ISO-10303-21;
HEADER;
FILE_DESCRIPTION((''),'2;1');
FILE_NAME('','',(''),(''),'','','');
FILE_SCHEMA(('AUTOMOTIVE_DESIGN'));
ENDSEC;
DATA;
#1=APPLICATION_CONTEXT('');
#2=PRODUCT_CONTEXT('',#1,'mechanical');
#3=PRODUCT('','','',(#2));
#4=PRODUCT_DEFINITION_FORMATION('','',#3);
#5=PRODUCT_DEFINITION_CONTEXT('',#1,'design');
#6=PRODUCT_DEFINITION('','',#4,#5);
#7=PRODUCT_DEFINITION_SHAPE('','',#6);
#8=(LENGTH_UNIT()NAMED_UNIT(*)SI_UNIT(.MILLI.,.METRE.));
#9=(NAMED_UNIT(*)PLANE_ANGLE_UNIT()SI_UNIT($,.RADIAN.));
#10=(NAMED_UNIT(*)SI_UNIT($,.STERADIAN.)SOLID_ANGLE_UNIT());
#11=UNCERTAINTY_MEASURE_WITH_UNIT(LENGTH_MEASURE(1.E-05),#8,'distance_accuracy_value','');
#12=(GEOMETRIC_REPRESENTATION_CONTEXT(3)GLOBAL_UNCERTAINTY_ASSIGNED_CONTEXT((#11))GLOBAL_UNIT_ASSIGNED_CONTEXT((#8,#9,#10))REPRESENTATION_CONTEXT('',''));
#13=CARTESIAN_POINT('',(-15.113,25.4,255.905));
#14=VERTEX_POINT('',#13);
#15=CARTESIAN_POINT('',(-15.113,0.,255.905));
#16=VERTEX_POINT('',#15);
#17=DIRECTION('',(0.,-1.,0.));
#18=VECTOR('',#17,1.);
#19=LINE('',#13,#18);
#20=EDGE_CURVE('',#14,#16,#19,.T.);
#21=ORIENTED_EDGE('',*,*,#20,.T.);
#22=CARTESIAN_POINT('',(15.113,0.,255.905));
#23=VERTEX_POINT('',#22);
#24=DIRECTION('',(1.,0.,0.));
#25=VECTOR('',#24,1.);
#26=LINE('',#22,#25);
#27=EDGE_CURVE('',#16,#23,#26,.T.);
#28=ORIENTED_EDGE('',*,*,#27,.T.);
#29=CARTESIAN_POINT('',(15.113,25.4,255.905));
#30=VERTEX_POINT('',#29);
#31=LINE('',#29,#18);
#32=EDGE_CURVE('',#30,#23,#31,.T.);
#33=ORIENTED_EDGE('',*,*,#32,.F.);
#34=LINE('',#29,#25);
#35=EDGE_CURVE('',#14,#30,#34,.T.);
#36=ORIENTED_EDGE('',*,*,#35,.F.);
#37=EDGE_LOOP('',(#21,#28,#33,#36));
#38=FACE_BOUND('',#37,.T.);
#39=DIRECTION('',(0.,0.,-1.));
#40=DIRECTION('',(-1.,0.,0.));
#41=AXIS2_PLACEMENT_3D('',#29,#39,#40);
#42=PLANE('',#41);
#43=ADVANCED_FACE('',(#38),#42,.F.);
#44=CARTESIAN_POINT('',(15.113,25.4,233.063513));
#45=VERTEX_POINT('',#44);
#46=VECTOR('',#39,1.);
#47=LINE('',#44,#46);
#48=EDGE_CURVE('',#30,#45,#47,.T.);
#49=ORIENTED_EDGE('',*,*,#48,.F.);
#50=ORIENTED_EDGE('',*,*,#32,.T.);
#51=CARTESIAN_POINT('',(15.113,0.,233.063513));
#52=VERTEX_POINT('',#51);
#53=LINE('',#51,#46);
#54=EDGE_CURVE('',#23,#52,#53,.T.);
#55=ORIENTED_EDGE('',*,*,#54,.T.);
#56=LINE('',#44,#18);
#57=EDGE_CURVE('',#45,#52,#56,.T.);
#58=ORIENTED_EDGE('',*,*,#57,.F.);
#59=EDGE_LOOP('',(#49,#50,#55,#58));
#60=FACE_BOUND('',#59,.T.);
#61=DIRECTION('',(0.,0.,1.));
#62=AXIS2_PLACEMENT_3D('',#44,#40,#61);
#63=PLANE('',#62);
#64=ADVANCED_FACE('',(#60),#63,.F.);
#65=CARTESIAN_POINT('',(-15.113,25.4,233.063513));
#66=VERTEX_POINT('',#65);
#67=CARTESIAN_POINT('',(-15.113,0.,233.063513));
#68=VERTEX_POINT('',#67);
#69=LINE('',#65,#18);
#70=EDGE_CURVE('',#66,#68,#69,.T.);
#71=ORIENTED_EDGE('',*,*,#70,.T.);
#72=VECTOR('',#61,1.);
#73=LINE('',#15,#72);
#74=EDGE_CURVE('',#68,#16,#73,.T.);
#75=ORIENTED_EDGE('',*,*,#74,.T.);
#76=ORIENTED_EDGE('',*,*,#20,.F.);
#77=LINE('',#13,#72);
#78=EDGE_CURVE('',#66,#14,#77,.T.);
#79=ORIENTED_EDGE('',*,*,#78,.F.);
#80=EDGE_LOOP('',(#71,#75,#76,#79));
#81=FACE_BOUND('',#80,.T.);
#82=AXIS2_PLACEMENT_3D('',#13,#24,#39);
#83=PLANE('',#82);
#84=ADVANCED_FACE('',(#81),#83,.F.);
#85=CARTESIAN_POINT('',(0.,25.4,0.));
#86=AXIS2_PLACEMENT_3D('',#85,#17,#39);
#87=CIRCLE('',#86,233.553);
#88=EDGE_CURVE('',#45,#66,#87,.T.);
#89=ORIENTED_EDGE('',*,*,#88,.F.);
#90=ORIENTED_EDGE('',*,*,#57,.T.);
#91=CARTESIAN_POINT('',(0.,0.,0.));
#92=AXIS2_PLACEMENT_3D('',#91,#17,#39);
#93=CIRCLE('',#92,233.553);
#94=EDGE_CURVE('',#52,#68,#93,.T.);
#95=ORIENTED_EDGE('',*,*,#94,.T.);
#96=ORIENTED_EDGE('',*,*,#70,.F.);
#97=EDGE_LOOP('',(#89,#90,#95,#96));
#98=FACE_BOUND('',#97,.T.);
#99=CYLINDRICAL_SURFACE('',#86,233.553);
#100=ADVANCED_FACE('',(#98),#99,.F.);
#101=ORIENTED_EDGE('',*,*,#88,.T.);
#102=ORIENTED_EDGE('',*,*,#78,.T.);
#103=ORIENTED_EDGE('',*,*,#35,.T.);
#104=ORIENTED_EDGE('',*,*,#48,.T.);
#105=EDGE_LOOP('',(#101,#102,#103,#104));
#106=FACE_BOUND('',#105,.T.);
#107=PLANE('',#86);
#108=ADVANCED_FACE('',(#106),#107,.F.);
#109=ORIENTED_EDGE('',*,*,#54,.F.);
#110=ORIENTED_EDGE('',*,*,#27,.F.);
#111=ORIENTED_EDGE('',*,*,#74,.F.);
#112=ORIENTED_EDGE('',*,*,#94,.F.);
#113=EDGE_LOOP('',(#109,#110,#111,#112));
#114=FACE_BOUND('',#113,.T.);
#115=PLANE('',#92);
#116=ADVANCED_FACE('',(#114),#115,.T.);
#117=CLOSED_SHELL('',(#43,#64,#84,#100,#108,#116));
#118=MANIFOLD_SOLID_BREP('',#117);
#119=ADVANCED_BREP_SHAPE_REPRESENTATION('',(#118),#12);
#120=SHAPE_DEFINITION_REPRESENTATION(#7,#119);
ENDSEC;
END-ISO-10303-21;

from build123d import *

# Parameters (mm, degrees)
BOSS_EXTRUDE1_DEPTH = 25.4


with BuildPart() as part:
    # Sketch1 → Boss-Extrude1 (new body)
    with BuildSketch(Plane(origin=(0, 0, 0), x_dir=(1, 0, 0), z_dir=(0, 1, 0))):
        with BuildLine():
            Line((15.113, -233.063512889), (15.113, -255.905))
            Line((15.113, -255.905), (-15.113, -255.905))
            Line((-15.113, -255.905), (-15.113, -233.063512889))
            ThreePointArc((-15.113, -233.063512889), (0, -233.553), (15.113, -233.063512889))
        make_face()
    extrude(amount=BOSS_EXTRUDE1_DEPTH)


solid = part.part
